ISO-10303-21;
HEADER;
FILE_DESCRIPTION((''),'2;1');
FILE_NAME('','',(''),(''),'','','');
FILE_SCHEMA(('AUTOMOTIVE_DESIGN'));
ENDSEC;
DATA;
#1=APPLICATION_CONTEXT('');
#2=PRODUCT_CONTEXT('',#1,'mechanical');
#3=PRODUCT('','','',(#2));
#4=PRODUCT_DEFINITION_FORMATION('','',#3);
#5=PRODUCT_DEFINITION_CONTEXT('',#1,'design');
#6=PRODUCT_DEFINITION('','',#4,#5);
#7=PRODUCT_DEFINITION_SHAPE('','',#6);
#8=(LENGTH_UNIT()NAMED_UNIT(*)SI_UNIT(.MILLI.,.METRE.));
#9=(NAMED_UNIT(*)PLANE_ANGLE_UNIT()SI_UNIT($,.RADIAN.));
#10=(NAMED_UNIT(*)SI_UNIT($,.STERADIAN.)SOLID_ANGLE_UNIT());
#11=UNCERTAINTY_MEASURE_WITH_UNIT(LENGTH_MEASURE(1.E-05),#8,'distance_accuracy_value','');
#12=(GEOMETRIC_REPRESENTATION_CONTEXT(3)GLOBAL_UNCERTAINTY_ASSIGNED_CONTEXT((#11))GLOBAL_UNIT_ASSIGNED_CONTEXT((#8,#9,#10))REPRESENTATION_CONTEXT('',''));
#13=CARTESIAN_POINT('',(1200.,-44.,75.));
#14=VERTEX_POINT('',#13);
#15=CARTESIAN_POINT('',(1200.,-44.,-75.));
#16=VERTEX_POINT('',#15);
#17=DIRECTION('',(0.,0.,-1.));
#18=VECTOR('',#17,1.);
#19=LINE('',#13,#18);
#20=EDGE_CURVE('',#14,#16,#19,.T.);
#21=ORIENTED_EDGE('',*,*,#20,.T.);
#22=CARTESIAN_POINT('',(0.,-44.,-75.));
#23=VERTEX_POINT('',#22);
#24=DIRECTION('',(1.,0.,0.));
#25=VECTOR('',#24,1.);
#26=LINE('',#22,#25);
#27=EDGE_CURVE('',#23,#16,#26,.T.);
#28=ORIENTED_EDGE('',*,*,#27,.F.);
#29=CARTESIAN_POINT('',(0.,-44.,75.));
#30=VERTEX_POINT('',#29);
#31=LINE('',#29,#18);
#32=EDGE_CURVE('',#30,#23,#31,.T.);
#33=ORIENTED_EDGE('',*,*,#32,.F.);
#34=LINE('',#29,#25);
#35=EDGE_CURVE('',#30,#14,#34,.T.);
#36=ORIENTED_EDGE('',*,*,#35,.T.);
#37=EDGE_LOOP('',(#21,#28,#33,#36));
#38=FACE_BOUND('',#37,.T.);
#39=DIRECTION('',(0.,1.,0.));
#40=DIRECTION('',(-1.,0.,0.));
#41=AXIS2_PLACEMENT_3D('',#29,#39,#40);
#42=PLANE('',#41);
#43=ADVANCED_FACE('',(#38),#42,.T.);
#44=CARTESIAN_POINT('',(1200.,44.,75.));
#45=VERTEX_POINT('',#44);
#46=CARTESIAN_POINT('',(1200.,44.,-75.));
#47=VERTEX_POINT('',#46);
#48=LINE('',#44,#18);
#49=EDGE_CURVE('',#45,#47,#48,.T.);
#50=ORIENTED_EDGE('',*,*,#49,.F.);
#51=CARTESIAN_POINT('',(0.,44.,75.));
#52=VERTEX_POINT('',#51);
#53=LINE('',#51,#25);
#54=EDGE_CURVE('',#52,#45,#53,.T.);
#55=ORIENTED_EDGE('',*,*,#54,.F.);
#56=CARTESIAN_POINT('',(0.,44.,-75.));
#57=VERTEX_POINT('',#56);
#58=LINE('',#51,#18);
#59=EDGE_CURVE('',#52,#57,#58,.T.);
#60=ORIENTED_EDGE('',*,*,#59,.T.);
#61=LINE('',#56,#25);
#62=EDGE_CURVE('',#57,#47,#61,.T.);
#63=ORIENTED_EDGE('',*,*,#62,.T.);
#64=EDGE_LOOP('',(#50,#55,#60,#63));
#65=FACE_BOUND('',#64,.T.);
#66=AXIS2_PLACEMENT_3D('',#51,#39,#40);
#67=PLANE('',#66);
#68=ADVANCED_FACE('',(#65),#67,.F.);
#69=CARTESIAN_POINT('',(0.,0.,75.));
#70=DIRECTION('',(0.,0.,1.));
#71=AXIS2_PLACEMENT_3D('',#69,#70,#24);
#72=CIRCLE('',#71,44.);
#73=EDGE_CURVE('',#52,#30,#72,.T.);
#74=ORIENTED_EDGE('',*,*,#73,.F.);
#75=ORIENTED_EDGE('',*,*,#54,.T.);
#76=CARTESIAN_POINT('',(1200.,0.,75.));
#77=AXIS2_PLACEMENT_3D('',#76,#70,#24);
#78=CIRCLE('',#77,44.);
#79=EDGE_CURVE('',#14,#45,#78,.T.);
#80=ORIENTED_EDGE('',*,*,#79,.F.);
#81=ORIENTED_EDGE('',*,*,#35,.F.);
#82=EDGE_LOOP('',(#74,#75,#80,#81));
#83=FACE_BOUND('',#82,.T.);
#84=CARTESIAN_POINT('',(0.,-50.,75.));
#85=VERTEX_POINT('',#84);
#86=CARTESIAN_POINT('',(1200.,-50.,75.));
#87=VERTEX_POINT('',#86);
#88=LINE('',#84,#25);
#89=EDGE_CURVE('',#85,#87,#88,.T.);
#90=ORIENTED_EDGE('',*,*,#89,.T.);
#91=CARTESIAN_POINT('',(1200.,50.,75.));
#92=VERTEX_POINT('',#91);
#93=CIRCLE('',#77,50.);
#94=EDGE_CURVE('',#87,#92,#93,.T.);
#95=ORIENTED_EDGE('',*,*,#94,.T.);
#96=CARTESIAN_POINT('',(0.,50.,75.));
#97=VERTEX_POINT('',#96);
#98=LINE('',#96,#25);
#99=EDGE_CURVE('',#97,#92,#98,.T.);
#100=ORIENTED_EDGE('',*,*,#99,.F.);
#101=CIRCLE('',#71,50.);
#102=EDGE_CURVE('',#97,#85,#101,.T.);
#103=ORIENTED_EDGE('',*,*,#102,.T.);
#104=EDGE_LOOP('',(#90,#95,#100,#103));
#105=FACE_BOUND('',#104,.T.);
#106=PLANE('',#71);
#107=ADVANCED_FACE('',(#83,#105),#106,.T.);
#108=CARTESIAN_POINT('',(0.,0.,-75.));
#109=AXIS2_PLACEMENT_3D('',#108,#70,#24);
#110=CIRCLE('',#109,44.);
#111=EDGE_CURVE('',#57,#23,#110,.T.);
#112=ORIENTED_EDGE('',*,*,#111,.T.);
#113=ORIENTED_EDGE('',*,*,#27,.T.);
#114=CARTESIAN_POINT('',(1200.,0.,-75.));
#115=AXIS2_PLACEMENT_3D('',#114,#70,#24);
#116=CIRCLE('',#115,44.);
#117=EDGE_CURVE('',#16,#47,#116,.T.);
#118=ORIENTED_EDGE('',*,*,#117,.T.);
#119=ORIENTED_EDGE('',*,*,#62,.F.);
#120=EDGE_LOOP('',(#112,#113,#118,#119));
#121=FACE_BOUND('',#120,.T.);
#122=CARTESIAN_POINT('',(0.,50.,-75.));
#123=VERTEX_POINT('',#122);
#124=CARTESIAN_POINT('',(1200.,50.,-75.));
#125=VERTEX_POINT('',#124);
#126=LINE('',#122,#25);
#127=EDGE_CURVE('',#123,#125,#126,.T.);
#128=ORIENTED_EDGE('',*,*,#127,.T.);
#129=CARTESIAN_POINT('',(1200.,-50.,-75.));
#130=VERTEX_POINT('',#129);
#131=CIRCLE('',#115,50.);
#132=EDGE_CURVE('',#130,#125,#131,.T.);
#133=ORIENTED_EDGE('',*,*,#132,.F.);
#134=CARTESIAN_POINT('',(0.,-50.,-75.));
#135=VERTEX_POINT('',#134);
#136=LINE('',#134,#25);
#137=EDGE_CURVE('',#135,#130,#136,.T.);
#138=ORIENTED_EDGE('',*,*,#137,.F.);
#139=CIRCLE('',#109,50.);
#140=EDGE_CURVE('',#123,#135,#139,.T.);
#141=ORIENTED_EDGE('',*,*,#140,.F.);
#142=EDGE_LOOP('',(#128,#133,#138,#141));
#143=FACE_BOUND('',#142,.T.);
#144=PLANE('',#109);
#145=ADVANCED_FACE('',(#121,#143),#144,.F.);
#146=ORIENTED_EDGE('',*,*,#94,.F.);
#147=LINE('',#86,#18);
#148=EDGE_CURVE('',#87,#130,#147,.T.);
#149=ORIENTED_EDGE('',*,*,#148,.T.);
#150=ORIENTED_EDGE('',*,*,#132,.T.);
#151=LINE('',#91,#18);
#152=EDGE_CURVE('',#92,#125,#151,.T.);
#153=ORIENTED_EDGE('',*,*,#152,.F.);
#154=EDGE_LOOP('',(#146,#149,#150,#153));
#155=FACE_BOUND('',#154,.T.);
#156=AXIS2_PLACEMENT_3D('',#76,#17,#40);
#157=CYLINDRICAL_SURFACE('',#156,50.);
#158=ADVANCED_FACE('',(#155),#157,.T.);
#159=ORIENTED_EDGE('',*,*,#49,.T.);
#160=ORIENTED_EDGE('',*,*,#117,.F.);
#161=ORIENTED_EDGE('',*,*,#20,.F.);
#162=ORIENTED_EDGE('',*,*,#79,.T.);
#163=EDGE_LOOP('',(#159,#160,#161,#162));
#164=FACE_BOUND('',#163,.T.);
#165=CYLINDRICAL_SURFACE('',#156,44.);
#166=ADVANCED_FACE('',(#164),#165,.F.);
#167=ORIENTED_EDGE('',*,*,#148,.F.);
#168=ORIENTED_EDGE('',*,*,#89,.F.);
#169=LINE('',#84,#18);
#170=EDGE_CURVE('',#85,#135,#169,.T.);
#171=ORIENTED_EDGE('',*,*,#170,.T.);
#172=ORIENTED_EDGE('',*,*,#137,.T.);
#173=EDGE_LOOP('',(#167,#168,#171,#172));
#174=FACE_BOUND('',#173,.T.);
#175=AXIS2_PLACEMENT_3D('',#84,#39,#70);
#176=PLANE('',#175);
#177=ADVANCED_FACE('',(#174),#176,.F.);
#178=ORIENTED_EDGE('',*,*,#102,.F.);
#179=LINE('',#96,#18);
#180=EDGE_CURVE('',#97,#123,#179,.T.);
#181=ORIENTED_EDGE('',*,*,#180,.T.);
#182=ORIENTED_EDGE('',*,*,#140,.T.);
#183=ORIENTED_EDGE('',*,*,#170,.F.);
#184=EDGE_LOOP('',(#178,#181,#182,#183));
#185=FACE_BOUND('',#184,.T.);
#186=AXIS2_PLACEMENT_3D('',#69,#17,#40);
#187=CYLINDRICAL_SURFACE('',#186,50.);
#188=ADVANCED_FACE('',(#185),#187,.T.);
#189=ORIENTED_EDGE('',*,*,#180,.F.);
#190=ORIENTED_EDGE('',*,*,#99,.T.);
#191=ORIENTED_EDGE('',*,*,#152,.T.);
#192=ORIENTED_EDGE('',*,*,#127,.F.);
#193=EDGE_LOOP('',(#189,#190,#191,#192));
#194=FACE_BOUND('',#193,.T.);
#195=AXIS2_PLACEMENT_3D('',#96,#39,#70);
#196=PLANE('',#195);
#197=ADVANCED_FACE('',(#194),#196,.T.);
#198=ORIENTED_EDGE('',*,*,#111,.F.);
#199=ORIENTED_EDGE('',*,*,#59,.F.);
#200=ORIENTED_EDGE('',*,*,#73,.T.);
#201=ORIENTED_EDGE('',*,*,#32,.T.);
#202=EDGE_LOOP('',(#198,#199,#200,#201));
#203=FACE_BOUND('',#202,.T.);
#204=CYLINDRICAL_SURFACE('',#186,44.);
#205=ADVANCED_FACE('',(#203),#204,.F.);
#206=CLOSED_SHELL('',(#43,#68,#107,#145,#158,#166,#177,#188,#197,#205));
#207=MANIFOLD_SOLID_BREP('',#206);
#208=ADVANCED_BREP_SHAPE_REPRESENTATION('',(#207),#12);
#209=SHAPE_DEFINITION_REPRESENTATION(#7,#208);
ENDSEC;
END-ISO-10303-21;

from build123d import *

# Parameters (mm, degrees)
BOSS_EXTRUDE1_DEPTH = 75


with BuildPart() as part:
    # Sketch1 → Boss-Extrude1 (new, symmetric)
    with BuildSketch(Plane.XY):
        with BuildLine():
            Line((0, -50), (1200, -50))
            ThreePointArc((1200, -50), (1250, 0), (1200, 50))
            Line((1200, 50), (0, 50))
            ThreePointArc((0, 50), (-50, 0), (0, -50))
        make_face()
        with BuildLine():
            ThreePointArc((0, 44), (-44, 0), (0, -44))
            Line((0, -44), (1200, -44))
            ThreePointArc((1200, -44), (1244, 0), (1200, 44))
            Line((1200, 44), (0, 44))
        make_face(mode=Mode.SUBTRACT)
    extrude(amount=BOSS_EXTRUDE1_DEPTH, both=True)


solid = part.part
